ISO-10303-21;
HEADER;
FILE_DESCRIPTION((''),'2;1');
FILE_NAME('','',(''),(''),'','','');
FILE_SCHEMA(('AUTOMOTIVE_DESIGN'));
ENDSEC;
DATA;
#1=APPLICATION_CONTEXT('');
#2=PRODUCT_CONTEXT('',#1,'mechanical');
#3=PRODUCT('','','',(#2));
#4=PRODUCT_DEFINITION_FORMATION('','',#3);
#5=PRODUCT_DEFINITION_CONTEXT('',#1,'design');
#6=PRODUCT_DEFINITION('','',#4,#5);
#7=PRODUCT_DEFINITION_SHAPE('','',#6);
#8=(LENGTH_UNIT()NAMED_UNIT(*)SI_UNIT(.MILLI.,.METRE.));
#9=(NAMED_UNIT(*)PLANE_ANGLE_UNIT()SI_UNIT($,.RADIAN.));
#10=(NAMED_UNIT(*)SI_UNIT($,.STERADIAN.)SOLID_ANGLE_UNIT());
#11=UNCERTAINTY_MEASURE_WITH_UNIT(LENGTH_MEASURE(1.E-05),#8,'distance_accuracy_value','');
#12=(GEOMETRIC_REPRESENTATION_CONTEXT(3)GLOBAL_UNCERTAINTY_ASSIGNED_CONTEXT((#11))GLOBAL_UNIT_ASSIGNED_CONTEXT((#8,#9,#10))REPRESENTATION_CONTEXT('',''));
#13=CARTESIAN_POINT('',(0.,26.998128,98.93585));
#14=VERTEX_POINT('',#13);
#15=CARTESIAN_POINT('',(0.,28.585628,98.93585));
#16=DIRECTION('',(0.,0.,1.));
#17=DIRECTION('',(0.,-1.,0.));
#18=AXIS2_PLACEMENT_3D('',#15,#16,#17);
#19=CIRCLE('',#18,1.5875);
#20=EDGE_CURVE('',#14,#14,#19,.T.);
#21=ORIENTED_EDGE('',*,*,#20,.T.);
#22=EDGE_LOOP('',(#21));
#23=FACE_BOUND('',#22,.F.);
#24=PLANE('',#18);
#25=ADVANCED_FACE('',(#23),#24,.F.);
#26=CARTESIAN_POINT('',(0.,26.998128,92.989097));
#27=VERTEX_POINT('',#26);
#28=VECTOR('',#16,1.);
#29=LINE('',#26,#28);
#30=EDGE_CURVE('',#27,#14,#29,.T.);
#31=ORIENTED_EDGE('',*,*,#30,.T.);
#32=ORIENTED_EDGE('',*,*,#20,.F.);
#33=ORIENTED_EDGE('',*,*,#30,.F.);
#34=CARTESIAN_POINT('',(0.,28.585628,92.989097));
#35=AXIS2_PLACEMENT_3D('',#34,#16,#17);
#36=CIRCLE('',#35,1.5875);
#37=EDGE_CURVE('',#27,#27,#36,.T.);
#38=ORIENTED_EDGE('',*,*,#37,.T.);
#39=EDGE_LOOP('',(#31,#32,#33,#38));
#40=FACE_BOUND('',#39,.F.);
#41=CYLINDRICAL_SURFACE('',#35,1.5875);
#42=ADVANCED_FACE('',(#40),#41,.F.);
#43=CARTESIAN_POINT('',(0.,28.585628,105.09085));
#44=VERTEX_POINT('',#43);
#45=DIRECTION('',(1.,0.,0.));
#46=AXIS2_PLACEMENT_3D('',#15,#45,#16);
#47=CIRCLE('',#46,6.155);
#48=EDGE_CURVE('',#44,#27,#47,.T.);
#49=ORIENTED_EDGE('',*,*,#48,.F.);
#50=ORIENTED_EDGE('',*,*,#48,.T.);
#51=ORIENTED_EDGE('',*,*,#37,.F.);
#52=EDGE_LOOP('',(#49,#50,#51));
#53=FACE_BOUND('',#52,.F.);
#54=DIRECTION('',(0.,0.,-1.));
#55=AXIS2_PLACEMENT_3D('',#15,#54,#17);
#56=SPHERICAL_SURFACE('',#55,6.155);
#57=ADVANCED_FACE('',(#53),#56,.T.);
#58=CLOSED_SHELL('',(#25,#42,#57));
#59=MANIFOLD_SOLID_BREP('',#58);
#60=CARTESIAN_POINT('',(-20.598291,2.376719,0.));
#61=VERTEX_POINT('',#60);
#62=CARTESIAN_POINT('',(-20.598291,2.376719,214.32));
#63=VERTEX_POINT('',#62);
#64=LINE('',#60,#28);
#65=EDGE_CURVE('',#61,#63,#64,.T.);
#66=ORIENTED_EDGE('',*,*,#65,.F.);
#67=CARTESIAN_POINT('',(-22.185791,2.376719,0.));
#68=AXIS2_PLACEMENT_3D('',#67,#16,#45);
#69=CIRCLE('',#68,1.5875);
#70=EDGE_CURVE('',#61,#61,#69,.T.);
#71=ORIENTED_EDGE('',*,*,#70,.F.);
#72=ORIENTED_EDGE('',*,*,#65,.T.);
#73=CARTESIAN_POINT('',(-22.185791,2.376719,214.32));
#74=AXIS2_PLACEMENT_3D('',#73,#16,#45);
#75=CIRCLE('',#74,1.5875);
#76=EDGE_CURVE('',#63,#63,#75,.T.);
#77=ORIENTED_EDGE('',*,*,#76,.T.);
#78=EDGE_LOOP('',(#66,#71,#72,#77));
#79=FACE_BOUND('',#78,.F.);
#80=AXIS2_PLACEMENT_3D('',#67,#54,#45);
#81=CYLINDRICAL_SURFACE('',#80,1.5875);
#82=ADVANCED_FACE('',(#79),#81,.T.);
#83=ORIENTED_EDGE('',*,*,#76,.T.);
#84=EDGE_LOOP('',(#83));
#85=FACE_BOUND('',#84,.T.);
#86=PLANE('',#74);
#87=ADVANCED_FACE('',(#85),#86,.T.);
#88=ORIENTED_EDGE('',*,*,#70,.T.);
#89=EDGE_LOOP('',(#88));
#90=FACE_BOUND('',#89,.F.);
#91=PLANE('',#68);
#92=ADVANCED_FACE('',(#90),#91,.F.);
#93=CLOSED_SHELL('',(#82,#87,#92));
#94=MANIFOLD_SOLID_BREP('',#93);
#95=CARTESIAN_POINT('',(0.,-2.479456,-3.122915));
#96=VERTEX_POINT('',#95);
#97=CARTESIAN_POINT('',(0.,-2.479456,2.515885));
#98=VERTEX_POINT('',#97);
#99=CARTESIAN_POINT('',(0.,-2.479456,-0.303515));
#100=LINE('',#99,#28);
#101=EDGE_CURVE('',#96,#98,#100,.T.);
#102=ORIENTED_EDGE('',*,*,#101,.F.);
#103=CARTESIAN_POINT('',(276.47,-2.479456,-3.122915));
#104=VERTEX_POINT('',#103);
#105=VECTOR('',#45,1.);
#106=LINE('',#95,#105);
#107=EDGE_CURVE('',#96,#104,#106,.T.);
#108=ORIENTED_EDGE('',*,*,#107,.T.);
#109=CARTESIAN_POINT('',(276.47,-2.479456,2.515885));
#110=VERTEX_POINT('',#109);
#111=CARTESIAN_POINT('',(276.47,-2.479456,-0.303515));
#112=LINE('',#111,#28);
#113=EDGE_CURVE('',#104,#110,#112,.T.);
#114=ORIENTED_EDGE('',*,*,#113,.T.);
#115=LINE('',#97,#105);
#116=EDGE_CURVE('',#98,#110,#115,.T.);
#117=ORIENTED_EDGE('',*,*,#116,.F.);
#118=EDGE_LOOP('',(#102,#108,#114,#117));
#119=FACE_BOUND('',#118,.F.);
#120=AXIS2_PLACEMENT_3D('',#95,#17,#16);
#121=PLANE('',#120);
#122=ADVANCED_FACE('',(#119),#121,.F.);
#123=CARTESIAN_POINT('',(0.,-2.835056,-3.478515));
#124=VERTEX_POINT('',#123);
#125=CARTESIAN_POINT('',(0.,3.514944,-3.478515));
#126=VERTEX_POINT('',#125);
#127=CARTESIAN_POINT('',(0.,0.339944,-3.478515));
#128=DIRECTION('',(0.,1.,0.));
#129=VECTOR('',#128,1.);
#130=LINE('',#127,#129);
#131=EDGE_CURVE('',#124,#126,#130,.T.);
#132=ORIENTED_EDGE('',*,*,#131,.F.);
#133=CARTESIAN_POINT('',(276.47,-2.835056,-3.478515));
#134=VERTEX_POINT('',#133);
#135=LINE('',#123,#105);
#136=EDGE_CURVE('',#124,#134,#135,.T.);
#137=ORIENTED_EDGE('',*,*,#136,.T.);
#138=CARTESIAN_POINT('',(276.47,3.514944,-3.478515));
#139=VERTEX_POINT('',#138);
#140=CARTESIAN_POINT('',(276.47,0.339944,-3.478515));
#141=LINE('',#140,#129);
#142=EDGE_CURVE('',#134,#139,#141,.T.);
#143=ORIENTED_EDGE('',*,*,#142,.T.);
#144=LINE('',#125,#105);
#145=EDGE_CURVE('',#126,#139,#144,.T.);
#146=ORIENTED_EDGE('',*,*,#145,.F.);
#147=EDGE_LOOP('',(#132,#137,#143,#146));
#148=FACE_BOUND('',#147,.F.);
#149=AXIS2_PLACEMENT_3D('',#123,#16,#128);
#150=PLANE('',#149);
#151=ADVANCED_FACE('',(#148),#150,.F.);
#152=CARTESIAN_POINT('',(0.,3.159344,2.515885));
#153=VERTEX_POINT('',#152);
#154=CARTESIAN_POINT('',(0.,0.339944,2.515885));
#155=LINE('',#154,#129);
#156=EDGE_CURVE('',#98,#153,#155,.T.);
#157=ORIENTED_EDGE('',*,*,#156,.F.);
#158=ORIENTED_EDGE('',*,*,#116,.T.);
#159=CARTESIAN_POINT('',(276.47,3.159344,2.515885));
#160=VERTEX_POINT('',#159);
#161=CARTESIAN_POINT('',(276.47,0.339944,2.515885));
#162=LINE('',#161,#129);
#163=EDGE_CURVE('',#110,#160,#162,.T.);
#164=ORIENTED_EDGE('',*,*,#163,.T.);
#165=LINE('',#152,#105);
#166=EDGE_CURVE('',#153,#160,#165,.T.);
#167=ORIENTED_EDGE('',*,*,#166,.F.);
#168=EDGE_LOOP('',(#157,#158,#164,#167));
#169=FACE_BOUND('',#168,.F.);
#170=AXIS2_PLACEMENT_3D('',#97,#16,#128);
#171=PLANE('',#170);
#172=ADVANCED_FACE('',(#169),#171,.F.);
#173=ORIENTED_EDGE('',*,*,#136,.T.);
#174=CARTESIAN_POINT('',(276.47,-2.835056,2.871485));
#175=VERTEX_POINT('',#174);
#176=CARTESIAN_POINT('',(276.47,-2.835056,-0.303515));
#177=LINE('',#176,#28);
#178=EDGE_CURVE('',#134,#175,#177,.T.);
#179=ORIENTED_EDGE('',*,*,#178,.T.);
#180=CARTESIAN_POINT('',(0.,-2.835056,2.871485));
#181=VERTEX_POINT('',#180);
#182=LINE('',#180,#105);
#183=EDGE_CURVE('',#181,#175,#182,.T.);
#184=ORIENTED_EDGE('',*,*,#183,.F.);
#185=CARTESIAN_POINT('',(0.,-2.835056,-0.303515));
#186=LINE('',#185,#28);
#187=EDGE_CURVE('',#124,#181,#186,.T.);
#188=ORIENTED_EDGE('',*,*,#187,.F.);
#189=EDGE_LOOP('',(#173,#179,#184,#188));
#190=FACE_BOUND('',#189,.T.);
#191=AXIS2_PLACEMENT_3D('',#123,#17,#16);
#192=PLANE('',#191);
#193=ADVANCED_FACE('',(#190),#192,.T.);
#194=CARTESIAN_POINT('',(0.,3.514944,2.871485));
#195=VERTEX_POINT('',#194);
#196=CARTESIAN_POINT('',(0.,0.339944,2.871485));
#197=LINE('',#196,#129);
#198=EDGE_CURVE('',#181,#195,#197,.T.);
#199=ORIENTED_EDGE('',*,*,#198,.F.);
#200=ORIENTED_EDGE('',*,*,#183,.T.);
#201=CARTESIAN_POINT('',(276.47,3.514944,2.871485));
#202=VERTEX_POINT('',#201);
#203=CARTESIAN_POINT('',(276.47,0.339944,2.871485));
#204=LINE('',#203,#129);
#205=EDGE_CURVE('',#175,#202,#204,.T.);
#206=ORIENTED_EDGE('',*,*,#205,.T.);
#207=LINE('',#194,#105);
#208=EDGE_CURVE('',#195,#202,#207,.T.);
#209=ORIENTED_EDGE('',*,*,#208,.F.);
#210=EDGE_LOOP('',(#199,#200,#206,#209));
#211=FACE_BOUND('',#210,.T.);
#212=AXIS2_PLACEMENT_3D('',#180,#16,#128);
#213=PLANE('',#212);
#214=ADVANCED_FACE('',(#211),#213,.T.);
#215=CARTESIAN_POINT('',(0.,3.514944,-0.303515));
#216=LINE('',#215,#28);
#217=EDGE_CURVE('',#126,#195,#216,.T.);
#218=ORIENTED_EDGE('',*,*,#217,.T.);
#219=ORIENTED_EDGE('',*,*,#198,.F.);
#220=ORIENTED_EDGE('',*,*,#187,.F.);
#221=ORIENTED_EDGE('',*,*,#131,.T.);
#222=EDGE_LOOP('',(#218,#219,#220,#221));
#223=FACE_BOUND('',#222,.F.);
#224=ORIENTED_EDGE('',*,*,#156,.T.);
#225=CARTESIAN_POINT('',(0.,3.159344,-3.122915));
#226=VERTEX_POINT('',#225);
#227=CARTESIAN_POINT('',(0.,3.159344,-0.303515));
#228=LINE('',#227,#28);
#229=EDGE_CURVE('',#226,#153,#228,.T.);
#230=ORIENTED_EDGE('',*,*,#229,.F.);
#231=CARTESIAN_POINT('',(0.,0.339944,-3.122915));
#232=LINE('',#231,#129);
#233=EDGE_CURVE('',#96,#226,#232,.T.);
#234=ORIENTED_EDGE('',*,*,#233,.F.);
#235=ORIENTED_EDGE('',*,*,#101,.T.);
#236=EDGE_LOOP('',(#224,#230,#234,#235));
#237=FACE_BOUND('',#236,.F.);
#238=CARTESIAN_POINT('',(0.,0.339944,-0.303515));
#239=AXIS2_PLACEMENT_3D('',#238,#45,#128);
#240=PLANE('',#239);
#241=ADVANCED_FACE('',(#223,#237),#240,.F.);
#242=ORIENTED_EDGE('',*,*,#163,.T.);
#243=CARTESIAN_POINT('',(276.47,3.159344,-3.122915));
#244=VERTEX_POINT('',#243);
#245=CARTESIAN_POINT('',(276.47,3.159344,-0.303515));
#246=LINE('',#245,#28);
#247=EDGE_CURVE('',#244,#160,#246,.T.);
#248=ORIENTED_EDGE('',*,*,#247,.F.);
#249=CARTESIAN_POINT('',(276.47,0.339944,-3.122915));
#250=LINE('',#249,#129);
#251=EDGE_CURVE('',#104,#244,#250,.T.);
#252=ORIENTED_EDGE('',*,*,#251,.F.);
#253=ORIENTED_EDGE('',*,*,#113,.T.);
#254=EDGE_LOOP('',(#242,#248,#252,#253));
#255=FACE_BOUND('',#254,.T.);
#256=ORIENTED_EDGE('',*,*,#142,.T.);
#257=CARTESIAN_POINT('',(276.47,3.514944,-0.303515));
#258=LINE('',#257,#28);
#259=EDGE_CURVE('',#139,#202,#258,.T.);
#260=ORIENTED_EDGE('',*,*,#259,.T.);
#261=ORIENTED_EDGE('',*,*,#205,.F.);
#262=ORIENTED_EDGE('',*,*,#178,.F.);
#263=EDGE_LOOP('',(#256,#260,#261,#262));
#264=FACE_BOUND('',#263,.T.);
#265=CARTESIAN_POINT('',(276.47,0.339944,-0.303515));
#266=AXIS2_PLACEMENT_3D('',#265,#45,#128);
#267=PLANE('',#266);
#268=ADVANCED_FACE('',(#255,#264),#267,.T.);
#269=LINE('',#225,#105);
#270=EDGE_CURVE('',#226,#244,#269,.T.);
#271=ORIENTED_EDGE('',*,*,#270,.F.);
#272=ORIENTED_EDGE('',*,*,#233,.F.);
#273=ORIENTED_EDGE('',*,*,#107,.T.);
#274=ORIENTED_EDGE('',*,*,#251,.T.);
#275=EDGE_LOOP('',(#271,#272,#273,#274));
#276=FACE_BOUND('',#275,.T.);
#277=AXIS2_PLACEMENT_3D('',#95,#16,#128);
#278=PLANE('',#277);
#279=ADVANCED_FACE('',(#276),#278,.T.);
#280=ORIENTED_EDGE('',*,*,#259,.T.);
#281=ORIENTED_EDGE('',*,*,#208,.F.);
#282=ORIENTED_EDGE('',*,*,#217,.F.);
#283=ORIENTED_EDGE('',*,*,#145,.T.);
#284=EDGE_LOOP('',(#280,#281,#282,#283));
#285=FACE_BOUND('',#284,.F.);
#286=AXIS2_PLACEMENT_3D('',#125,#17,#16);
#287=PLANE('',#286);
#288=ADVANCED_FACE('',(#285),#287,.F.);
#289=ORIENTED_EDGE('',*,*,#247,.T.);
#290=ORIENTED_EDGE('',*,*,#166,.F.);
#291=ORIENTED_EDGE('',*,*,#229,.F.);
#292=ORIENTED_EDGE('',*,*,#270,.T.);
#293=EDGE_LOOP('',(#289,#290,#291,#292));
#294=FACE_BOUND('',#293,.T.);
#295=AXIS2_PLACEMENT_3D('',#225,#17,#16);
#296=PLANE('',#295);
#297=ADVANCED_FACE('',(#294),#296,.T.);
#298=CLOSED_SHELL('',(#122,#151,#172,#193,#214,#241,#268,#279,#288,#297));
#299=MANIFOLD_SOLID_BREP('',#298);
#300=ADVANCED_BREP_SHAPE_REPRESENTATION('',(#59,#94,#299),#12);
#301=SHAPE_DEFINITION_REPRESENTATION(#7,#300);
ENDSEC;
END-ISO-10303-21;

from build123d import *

# Parameters (mm, degrees)
F4_W     = 6.35
F4_H     = 6.35
F4_W_2   = 5.6388
F4_H_2   = 5.6388
F5_DEPTH = 276.47
F6_R     = 1.5875
F7_DEPTH = 214.32


with BuildPart() as f3:
    # F2 (on Right) → F3 (revolve)
    with BuildSketch(Plane.YZ):
        with BuildLine():
            Line((28.5856276751, 98.9358499646), (28.5856276751, 105.0908499646))
            ThreePointArc((28.5856276751, 105.0908499646), (22.482911541, 99.7364002676), (26.9981276751, 92.9890971742))
            Line((26.9981276751, 92.9890971742), (26.9981276751, 98.9358499646))
            Line((26.9981276751, 98.9358499646), (28.5856276751, 98.9358499646))
        make_face()
    revolve(axis=Axis((0, 28.5856276751, 102.0133499646), (0, 0, 1)))


with BuildPart() as f5:
    # F4 (on Right) → F5 (new body)
    with BuildSketch(Plane.YZ):
        with Locations((0.3399441484, -0.3035154659)):
            Rectangle(F4_W, F4_H)
        with Locations((0.3399441484, -0.3035154659)):
            Rectangle(F4_W_2, F4_H_2, mode=Mode.SUBTRACT)
    extrude(amount=F5_DEPTH)


with BuildPart() as f7:
    # F6 (on Top) → F7 (new body)
    with BuildSketch(Plane.XY):
        with Locations((-22.1857912838, 2.3767193779)):
            Circle(F6_R)
    extrude(amount=F7_DEPTH)


solid = Compound([f3.part, f5.part, f7.part])
